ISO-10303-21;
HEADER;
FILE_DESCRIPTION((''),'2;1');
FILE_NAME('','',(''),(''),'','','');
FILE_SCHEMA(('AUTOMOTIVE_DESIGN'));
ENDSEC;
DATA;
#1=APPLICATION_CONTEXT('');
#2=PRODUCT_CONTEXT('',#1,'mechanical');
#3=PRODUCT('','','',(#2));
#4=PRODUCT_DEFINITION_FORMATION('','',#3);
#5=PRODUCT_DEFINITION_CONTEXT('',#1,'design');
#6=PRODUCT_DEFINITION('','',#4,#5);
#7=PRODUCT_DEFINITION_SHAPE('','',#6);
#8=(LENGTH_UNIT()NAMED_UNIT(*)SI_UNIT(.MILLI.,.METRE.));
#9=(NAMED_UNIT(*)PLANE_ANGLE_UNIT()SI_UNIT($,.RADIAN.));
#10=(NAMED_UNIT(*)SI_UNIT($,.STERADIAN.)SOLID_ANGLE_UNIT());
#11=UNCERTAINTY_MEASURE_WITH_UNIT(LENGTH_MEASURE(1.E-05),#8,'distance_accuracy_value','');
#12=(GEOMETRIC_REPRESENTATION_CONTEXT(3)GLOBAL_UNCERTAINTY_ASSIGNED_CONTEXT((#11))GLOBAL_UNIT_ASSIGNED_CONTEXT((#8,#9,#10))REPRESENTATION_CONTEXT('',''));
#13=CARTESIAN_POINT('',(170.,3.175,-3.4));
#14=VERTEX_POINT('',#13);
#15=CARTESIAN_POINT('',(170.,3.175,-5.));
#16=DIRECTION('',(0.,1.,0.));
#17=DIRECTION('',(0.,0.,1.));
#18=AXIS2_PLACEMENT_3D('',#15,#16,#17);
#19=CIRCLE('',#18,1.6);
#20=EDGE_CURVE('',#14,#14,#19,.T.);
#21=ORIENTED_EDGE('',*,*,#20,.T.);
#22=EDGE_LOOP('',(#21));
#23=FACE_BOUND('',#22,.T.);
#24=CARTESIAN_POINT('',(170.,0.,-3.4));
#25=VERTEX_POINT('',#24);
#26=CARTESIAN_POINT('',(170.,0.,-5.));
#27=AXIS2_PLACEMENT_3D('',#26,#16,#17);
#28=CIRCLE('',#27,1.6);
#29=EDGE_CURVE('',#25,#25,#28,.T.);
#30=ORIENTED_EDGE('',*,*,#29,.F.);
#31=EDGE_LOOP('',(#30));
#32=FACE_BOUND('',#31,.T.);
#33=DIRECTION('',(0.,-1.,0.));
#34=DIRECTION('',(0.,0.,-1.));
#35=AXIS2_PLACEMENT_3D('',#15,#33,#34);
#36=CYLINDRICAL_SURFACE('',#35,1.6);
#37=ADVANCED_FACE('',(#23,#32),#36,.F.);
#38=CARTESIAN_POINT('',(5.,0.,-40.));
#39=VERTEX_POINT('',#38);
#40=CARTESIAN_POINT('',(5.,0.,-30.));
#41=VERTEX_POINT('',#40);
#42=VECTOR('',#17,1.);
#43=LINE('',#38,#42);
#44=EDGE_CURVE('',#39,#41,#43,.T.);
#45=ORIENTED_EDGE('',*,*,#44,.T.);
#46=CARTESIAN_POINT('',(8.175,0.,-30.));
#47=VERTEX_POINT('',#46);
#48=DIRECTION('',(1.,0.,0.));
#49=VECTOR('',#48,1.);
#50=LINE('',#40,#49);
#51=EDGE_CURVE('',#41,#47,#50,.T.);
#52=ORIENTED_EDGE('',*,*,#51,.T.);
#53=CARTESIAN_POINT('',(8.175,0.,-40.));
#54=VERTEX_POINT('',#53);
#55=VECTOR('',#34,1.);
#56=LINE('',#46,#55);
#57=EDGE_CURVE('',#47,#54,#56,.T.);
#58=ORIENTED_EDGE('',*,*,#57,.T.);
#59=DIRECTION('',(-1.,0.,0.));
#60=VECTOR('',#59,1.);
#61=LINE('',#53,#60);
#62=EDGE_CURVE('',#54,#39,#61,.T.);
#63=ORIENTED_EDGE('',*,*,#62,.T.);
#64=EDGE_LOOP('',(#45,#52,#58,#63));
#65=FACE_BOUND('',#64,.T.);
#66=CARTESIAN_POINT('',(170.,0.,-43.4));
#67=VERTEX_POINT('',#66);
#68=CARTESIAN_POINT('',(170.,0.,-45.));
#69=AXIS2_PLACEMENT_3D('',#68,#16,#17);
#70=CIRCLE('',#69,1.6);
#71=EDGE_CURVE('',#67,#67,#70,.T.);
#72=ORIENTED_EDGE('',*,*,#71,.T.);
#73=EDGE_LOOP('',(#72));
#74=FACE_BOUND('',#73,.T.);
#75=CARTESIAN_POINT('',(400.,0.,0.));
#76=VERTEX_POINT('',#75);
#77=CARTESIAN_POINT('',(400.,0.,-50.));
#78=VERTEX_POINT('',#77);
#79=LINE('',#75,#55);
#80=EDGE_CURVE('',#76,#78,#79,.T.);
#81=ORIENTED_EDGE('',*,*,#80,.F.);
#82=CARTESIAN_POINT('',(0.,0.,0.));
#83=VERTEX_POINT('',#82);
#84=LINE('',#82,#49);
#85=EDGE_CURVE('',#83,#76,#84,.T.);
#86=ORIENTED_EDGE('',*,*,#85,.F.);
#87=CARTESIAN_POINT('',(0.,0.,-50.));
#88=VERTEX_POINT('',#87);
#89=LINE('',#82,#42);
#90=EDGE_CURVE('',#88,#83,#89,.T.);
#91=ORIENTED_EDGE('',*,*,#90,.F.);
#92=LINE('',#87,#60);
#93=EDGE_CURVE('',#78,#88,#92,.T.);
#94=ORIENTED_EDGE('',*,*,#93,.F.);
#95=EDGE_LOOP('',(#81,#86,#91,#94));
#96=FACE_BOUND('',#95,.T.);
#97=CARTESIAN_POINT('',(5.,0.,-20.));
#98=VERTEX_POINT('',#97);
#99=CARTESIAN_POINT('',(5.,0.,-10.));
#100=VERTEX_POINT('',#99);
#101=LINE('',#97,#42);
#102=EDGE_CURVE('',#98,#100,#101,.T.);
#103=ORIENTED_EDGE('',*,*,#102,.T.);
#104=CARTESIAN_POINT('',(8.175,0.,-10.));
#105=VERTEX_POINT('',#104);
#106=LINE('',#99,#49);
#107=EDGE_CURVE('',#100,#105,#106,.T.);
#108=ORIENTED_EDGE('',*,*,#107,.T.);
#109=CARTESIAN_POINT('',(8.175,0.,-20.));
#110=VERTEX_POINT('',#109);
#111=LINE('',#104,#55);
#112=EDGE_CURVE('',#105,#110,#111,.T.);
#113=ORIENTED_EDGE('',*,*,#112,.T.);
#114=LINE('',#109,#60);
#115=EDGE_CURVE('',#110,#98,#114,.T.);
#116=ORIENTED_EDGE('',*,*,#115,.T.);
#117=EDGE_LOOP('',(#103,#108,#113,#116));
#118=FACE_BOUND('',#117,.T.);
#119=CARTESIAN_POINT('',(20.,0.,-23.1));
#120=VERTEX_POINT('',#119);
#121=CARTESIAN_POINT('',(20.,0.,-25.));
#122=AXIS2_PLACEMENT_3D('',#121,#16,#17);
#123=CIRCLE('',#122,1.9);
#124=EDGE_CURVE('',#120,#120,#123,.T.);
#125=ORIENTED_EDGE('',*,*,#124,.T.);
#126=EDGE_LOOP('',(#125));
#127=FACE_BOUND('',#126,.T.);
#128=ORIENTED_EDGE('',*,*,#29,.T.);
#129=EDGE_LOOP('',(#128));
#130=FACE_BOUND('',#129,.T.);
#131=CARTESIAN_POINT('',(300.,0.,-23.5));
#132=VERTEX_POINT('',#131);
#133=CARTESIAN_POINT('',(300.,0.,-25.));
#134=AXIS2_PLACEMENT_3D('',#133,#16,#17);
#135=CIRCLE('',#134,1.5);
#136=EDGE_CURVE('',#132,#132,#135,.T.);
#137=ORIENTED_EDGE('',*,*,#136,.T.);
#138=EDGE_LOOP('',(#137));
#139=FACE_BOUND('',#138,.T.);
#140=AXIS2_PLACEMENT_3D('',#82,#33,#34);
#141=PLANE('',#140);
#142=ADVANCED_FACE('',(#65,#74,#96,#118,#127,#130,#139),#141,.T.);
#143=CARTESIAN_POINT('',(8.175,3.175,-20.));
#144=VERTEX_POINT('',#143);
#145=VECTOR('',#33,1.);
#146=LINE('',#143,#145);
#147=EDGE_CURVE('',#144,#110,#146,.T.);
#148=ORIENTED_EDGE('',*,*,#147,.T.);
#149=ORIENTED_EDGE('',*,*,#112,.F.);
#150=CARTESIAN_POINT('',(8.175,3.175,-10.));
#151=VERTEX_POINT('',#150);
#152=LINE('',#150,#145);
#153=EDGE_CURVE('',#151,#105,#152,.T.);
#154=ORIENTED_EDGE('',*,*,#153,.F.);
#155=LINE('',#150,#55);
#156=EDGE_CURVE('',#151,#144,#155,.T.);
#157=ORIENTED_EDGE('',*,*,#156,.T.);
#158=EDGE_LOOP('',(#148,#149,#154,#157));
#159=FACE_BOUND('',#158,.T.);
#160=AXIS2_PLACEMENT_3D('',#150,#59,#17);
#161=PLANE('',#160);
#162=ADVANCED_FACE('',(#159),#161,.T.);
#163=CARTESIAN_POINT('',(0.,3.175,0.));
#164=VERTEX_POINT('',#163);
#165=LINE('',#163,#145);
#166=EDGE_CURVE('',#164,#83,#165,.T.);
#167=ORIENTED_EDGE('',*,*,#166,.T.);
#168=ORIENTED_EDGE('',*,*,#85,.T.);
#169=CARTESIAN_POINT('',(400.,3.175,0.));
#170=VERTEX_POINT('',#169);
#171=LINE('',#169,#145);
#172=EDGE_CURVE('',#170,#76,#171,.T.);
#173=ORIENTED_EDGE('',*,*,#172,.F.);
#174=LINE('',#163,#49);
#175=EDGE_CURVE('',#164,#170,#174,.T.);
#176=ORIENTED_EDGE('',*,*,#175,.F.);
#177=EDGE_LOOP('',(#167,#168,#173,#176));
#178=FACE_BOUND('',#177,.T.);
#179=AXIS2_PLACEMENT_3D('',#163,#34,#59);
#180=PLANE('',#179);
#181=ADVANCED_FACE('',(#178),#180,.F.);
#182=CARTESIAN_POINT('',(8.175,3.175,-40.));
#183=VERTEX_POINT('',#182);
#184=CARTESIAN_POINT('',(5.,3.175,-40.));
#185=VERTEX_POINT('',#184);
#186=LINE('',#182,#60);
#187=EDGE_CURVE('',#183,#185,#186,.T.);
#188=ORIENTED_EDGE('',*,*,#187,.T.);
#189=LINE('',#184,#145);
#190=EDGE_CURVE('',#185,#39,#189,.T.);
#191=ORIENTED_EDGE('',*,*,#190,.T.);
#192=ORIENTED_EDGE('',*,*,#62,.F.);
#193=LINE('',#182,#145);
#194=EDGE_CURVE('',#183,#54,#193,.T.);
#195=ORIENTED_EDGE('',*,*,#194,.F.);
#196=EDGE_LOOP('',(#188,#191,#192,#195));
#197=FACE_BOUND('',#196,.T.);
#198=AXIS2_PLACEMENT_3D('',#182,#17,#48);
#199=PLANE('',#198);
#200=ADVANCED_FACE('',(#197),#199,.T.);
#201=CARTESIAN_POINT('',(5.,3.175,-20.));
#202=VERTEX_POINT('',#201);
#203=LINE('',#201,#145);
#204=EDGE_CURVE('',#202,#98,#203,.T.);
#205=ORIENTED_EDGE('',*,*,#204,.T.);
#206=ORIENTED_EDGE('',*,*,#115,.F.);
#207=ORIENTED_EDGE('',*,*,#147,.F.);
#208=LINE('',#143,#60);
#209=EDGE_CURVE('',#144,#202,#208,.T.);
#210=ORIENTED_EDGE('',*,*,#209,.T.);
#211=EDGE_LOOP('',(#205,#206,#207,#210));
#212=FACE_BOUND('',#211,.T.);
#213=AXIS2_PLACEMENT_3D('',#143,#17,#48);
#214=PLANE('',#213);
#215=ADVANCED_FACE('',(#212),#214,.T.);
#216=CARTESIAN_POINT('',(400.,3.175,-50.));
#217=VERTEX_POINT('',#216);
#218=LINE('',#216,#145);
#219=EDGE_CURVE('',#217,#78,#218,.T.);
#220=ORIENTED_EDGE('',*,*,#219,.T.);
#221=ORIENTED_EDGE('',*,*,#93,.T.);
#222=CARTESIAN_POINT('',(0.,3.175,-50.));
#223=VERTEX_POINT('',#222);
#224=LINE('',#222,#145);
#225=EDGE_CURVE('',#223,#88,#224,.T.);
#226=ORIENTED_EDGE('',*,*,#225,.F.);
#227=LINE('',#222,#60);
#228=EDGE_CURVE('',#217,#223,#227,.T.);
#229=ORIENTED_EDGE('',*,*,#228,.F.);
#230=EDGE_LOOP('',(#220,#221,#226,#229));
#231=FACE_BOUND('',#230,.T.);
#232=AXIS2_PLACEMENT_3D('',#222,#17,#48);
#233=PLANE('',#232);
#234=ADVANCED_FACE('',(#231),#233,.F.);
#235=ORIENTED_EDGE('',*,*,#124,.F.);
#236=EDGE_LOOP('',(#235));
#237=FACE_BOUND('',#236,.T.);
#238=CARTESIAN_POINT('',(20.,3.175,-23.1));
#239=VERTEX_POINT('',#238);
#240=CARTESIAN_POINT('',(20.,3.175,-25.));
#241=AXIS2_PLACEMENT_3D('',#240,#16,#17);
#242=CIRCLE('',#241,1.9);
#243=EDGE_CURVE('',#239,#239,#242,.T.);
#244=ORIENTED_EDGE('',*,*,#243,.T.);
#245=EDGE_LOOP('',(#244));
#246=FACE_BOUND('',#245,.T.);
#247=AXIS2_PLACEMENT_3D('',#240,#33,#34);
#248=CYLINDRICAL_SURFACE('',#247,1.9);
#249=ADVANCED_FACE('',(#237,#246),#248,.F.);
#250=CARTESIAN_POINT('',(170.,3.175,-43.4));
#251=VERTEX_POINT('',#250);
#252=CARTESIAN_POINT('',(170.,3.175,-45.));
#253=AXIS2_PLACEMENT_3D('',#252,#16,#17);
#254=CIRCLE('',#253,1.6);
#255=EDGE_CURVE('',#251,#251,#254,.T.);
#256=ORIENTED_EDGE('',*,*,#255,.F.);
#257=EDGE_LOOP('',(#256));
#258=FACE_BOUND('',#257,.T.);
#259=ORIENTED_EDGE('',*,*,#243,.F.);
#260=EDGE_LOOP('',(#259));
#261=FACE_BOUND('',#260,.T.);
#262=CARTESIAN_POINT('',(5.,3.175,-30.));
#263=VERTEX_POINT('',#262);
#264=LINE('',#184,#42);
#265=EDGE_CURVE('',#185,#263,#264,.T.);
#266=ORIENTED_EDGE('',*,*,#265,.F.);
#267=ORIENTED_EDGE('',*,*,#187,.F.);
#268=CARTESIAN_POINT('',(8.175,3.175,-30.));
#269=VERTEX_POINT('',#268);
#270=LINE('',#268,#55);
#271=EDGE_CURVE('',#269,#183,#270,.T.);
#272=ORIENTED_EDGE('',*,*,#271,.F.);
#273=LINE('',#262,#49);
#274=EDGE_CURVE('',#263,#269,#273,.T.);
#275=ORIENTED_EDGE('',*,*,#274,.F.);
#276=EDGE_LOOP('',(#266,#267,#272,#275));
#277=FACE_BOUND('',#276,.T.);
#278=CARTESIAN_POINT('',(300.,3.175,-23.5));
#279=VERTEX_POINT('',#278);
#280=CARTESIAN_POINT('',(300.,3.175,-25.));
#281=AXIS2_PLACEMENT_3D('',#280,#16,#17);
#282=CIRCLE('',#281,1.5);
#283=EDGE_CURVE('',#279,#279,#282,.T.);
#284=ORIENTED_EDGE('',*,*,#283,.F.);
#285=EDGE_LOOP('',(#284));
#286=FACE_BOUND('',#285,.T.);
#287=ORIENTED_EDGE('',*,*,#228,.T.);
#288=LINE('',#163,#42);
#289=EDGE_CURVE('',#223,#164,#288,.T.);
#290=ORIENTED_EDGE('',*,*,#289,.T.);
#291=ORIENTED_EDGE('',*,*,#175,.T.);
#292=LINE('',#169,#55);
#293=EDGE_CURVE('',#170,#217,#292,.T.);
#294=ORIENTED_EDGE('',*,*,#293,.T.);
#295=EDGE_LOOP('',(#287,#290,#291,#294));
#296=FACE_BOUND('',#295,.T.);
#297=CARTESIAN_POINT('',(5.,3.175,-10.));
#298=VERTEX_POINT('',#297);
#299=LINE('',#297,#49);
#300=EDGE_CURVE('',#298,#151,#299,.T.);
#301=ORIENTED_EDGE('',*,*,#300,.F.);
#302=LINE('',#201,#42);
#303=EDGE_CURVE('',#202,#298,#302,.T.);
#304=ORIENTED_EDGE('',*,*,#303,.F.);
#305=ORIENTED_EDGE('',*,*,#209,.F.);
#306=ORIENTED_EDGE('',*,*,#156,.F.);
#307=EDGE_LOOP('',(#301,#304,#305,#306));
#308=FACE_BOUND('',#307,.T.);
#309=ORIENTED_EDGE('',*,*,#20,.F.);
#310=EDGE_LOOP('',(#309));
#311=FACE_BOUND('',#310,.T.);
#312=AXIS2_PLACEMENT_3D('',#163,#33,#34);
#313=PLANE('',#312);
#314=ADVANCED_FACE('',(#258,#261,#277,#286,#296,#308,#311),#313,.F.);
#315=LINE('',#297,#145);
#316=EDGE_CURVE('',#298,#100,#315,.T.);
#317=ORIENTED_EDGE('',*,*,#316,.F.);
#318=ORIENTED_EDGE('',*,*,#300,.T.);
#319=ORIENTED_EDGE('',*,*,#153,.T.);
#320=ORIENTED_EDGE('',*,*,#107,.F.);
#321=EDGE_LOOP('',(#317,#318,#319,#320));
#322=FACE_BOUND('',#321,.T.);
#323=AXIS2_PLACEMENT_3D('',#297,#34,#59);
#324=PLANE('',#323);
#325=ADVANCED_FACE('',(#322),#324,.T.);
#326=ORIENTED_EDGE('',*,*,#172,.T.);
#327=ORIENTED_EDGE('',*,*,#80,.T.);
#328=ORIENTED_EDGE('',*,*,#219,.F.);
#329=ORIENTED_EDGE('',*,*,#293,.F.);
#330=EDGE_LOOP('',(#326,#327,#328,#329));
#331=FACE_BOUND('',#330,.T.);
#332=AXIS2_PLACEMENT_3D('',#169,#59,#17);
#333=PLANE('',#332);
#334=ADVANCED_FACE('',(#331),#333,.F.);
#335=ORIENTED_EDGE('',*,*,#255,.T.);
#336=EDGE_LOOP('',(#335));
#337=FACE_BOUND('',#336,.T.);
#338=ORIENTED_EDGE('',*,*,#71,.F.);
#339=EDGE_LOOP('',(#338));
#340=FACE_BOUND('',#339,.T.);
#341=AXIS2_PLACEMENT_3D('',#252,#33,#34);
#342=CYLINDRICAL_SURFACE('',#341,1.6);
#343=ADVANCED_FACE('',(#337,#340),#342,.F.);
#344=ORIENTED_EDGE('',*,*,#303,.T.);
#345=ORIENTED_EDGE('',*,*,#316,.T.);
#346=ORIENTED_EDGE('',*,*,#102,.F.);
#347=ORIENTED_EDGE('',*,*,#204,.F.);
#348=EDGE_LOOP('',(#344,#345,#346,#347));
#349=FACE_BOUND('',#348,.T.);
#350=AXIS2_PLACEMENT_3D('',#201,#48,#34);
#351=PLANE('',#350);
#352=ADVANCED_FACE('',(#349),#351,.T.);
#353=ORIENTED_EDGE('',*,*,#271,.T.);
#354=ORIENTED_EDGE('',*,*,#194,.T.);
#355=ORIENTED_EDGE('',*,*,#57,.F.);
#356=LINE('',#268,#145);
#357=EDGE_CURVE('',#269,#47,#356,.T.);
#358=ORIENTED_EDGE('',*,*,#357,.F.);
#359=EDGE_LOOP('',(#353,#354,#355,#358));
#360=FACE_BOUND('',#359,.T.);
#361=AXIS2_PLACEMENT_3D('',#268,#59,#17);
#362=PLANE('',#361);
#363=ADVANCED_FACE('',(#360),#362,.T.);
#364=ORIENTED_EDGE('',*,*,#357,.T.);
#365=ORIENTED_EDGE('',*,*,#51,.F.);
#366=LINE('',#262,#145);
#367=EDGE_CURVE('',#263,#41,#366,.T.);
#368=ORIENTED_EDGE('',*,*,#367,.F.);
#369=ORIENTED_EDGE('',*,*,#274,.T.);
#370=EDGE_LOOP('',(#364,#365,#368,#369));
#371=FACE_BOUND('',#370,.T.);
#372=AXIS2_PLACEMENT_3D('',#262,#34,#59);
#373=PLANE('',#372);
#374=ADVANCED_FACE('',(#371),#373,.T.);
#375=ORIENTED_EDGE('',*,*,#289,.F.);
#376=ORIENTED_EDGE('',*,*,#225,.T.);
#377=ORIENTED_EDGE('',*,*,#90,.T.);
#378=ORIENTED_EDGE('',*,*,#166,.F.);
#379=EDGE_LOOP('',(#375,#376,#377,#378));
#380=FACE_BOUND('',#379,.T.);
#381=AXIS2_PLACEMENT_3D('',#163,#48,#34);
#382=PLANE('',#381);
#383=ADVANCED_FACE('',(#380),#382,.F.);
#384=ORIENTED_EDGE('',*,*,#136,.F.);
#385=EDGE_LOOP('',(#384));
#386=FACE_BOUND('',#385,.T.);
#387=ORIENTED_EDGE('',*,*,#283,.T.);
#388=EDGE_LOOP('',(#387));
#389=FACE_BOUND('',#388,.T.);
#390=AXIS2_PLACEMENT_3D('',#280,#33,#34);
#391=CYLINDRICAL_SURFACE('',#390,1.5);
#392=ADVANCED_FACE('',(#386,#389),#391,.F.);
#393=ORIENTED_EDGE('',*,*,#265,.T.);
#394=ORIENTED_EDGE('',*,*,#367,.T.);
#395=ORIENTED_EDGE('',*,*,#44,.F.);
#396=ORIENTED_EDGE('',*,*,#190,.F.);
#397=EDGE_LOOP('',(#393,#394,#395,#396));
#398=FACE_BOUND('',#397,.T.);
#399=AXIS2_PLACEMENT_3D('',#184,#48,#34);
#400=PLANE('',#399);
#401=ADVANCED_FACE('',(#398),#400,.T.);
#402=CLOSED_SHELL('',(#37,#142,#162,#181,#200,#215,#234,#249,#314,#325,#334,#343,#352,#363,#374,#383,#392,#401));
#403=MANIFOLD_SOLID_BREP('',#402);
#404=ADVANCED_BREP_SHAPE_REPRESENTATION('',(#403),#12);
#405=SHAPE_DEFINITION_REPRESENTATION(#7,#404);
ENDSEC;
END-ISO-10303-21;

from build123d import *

# Parameters (mm, degrees)
SKETCH1_W           = 400
SKETCH1_H           = 50
SKETCH1_R           = 1.5
SKETCH1_R_2         = 1.6
SKETCH1_R_3         = 1.9
SKETCH1_W_2         = 3.175
SKETCH1_H_2         = 10
BOSS_EXTRUDE1_DEPTH = 3.175


with BuildPart() as part:
    # Sketch1 → Boss-Extrude1 (new body)
    with BuildSketch(Plane(origin=(0, 0, 0), x_dir=(1, 0, 0), z_dir=(0, 1, 0))):
        with Locations((200, 25)):
            Rectangle(SKETCH1_W, SKETCH1_H)
        with Locations((300, 25)):
            Circle(SKETCH1_R, mode=Mode.SUBTRACT)
        with Locations((170, 45)):
            Circle(SKETCH1_R_2, mode=Mode.SUBTRACT)
        with Locations((170, 5)):
            Circle(SKETCH1_R_2, mode=Mode.SUBTRACT)
        with Locations((20, 25)):
            Circle(SKETCH1_R_3, mode=Mode.SUBTRACT)
        with Locations((6.5875, 15)):
            Rectangle(SKETCH1_W_2, SKETCH1_H_2, mode=Mode.SUBTRACT)
        with Locations((6.5875, 35)):
            Rectangle(SKETCH1_W_2, SKETCH1_H_2, mode=Mode.SUBTRACT)
    extrude(amount=BOSS_EXTRUDE1_DEPTH)


solid = part.part
